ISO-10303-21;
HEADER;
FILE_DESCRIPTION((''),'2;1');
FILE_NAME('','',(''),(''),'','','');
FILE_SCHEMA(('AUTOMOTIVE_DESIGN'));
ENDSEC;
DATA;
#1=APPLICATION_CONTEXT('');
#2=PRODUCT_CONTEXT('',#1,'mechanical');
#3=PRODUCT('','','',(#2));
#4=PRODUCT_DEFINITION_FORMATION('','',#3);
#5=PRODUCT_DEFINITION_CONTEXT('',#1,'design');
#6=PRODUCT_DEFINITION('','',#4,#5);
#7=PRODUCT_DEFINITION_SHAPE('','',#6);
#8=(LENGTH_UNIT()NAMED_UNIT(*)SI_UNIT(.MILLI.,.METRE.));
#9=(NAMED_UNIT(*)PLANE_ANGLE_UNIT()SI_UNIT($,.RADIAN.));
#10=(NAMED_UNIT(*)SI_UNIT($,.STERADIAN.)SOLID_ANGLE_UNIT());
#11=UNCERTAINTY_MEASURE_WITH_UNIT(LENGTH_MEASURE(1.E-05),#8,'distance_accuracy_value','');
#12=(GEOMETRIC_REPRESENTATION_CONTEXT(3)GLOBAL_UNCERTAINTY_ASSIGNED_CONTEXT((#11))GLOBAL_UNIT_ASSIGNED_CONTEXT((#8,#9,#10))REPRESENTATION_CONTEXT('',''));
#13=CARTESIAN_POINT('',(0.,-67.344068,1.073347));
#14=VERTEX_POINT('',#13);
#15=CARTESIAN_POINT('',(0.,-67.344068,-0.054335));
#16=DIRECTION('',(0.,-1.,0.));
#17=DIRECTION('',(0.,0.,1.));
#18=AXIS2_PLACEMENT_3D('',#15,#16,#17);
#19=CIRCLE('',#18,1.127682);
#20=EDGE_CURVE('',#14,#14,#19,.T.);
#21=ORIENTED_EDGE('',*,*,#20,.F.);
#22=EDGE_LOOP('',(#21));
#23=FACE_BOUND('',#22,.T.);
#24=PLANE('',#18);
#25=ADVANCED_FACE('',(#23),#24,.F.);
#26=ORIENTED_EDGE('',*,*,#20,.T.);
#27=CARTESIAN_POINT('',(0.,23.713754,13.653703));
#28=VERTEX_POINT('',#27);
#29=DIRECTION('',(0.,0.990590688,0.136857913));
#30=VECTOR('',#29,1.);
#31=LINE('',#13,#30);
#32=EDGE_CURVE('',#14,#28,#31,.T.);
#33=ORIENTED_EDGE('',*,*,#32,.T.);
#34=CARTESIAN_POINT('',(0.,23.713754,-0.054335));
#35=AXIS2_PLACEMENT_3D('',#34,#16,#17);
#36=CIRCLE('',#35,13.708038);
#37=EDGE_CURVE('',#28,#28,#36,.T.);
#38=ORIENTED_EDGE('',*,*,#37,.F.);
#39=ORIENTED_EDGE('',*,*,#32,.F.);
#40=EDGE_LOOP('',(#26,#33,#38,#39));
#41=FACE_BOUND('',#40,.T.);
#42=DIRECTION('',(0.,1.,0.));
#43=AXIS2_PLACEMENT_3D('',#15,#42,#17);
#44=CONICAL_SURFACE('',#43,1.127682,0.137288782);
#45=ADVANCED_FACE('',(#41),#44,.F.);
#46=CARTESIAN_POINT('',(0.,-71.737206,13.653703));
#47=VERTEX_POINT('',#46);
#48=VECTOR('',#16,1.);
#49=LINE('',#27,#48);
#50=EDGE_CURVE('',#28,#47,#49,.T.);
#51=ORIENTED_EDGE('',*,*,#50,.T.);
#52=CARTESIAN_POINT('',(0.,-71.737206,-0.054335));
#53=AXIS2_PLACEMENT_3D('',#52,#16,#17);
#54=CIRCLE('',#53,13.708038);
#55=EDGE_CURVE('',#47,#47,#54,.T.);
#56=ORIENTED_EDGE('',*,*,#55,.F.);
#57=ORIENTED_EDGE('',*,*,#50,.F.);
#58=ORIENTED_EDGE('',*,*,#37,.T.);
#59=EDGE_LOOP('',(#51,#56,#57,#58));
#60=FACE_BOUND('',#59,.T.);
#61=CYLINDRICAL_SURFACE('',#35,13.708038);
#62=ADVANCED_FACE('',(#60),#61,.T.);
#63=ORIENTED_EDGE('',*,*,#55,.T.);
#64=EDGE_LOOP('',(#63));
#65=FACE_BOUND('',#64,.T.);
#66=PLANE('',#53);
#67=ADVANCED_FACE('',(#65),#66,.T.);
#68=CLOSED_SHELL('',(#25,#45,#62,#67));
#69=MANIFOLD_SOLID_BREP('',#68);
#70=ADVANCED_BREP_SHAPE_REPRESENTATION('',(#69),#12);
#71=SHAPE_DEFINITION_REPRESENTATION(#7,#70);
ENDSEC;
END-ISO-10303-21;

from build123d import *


with BuildPart() as f1:
    # F0 (on Right) → F1 (revolve)
    with BuildSketch(Plane.YZ):
        Polygon((-71.737206, -0.054335), (-67.344068, -0.054335), (-67.344068, 1.073347), (23.713754, 13.653703), (-71.737206, 13.653703), align=None)
    revolve(axis=Axis((0, -69.540637, -0.054335), (0, -1, 0)))


solid = f1.part
